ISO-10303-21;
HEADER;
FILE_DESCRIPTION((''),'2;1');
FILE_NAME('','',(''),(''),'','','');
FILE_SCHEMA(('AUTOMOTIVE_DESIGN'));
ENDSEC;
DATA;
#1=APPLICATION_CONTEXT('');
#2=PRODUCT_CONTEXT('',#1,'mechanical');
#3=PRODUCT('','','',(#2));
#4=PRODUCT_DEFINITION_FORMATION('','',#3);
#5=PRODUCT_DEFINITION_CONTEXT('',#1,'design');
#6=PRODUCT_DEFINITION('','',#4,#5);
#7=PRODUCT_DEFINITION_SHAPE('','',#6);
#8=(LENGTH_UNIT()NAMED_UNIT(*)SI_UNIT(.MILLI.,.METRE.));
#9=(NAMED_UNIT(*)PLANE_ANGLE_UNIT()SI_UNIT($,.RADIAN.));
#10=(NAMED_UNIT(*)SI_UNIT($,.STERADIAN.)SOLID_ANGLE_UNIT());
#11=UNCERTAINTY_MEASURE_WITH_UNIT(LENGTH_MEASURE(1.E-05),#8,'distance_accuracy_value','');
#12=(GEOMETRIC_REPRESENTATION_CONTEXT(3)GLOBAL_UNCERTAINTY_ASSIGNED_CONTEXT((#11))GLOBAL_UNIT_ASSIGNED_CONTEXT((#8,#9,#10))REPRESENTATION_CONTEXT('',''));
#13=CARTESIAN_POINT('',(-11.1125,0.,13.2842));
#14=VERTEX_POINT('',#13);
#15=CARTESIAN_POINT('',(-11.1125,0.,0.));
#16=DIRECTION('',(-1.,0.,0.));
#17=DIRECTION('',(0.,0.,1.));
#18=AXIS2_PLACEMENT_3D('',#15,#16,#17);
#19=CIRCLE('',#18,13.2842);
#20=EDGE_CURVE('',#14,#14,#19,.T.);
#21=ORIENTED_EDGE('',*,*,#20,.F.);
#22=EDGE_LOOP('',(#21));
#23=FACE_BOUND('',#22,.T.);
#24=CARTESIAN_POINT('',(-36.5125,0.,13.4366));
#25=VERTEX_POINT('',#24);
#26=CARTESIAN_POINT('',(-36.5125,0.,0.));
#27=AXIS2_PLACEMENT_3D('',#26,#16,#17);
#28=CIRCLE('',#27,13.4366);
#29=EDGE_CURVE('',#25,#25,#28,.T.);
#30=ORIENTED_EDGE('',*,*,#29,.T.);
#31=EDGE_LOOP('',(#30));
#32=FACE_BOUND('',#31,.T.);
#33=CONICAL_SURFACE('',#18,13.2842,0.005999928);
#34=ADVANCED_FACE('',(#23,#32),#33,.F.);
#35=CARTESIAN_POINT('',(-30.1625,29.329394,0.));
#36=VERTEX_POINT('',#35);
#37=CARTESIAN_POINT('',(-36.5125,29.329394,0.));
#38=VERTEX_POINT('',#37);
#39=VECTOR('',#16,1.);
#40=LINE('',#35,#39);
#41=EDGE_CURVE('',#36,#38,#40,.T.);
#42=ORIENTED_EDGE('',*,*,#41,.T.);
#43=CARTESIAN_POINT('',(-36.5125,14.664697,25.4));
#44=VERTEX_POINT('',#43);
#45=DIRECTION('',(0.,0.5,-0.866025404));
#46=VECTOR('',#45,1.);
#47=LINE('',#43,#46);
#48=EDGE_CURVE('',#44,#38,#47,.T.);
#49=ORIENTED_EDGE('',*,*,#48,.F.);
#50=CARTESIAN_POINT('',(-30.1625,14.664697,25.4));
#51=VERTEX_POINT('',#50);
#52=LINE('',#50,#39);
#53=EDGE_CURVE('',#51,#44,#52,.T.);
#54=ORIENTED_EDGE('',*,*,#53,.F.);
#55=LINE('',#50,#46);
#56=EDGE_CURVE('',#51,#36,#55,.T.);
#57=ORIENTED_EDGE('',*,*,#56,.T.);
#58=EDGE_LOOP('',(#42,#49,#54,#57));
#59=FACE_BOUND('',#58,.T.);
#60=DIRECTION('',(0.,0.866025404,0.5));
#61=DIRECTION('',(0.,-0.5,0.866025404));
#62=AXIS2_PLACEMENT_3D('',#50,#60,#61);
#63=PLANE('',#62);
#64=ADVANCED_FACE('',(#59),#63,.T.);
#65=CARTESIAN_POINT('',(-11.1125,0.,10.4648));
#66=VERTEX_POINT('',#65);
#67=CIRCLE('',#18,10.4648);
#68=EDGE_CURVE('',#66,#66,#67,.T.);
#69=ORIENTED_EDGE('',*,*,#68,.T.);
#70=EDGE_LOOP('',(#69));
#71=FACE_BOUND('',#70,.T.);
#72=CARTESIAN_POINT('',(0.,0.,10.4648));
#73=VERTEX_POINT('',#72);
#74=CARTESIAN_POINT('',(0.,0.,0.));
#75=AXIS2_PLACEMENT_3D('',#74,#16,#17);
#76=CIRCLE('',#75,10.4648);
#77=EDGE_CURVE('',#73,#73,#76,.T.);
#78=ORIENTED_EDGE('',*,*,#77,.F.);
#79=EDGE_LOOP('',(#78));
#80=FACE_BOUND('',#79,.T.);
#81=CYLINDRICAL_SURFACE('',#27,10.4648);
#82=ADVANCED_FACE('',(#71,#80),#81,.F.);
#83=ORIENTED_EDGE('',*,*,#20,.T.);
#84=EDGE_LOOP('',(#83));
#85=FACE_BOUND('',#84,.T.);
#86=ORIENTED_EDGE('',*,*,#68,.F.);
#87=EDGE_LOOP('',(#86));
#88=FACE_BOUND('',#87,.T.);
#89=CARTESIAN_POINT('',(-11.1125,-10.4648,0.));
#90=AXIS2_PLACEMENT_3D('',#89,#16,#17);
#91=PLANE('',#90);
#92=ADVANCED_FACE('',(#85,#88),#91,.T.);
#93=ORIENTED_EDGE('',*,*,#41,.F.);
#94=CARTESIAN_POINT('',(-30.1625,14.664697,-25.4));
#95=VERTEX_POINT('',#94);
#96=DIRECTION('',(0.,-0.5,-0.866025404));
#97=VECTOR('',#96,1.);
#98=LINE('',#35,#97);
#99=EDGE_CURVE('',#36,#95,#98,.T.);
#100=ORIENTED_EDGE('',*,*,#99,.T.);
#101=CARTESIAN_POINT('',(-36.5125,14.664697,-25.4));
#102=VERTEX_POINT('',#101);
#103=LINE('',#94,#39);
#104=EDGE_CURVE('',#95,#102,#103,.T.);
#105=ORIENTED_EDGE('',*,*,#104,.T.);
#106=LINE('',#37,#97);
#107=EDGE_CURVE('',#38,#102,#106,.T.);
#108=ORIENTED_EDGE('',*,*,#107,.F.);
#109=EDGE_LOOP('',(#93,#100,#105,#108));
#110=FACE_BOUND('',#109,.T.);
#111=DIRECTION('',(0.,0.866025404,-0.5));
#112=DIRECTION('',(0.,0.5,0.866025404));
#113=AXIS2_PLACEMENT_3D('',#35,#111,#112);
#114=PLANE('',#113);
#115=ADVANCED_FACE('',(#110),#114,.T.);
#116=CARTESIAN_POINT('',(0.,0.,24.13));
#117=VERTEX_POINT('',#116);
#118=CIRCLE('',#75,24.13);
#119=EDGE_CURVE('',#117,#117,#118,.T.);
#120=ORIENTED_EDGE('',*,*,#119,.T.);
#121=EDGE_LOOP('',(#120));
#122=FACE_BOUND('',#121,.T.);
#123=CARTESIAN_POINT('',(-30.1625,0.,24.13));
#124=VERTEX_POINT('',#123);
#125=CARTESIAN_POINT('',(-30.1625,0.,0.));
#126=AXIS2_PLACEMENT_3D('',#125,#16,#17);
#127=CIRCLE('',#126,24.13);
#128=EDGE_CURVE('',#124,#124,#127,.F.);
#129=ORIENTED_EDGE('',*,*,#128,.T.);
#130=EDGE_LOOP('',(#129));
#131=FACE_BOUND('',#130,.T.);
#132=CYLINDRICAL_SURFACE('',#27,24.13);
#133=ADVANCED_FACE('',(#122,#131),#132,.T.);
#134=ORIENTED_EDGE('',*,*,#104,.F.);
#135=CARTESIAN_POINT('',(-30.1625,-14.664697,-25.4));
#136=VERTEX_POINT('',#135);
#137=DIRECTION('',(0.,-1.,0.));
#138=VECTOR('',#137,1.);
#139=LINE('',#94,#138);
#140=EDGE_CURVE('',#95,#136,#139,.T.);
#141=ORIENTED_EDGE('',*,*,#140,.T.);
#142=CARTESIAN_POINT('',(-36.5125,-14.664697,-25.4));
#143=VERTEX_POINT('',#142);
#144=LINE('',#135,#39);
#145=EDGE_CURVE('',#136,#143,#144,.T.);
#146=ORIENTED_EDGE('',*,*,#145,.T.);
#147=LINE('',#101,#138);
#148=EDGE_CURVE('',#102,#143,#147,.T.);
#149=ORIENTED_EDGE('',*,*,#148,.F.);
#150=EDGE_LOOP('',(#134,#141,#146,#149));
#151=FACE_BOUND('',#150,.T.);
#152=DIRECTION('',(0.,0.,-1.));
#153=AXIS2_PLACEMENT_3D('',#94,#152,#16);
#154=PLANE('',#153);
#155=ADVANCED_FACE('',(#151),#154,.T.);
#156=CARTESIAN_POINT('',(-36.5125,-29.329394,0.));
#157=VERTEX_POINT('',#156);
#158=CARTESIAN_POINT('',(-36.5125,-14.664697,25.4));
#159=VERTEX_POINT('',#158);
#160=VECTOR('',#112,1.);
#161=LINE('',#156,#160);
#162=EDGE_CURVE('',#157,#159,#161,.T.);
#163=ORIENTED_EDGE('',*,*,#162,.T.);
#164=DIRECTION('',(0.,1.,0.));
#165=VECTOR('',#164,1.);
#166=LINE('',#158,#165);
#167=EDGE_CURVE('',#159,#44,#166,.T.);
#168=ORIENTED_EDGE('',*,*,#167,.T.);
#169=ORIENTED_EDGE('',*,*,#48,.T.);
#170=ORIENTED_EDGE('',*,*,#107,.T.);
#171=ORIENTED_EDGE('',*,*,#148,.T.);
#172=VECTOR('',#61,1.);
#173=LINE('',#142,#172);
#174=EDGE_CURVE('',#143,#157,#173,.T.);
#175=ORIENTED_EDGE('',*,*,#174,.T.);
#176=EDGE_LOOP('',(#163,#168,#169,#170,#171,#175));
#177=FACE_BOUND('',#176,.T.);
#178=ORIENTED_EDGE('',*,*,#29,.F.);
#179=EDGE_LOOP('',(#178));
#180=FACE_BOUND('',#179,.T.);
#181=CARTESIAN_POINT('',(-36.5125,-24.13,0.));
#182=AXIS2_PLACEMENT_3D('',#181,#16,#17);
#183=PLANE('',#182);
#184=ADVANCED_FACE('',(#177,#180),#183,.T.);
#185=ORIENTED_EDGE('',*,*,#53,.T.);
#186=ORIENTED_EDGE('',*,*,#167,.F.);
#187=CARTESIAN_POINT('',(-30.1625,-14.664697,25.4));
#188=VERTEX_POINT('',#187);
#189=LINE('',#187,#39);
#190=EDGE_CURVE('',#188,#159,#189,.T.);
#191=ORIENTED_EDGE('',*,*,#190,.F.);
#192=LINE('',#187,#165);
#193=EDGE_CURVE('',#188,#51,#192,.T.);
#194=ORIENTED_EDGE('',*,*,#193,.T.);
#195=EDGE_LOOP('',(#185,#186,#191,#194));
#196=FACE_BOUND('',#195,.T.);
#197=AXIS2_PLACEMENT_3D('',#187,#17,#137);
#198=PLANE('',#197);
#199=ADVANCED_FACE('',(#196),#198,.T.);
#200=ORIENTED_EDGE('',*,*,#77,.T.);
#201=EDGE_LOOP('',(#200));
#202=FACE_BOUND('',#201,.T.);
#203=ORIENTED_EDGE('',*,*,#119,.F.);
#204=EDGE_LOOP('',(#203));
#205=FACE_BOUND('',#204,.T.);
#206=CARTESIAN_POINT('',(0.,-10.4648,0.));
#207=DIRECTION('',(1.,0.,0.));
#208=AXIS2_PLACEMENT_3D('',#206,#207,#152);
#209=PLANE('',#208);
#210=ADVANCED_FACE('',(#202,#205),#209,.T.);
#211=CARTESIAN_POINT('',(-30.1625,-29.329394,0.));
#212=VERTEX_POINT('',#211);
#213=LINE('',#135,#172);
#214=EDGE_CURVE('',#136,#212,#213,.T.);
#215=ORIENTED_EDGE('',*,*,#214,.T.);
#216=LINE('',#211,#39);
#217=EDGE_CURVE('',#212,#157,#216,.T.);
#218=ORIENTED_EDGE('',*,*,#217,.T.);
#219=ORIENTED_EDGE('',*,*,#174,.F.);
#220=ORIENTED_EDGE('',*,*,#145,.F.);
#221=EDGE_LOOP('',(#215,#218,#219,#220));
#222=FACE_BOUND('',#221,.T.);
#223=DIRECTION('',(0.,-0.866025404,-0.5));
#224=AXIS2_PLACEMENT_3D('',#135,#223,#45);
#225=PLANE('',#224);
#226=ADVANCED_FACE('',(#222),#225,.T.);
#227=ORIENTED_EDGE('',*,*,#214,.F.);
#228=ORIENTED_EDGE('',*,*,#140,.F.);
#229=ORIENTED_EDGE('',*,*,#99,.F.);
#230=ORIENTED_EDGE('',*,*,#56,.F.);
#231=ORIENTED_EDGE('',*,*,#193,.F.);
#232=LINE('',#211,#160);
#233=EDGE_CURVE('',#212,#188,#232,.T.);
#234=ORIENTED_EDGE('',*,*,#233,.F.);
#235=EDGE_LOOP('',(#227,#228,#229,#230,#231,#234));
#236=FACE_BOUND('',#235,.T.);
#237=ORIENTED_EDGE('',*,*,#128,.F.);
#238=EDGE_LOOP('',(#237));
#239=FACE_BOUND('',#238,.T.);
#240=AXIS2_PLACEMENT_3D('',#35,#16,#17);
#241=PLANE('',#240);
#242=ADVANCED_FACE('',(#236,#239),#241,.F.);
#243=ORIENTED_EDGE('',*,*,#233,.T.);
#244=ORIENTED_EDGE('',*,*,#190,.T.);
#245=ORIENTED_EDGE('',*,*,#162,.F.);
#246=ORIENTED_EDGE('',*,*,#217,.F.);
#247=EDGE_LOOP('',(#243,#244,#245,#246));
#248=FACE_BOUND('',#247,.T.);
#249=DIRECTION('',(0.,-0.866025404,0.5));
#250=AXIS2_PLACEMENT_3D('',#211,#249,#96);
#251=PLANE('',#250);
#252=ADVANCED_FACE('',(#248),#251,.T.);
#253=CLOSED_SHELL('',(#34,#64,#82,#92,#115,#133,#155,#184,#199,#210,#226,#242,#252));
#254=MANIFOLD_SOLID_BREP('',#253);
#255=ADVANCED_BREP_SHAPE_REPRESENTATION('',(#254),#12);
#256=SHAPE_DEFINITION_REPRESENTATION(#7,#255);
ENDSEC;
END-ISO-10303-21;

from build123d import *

# Parameters (mm, degrees)
SKETCH2_R           = 13.4366
BOSS_EXTRUDE1_DEPTH = 6.35


with BuildPart() as part:
    # Sketch1 → Revolve1 (revolve)
    with BuildSketch(Plane.XY):
        Polygon((-36.5125, -24.13), (0, -24.13), (0, -10.4648), (-11.1125, -10.4648), (-11.1125, -13.2842), (-36.5125, -13.4366), align=None)
    revolve(axis=Axis((-36.5125, 0, 0), (1, 0, 0)))

    # Sketch2 → Boss-Extrude1 (add)
    with BuildSketch(Plane.ZY.offset(36.5125)):
        Polygon((0, 29.329393675), (-25.4, 14.664696837), (-25.4, -14.664696837), (0, -29.329393675), (25.4, -14.664696837), (25.4, 14.664696837), align=None)
        Circle(SKETCH2_R, mode=Mode.SUBTRACT)
    extrude(amount=-BOSS_EXTRUDE1_DEPTH)


solid = part.part
